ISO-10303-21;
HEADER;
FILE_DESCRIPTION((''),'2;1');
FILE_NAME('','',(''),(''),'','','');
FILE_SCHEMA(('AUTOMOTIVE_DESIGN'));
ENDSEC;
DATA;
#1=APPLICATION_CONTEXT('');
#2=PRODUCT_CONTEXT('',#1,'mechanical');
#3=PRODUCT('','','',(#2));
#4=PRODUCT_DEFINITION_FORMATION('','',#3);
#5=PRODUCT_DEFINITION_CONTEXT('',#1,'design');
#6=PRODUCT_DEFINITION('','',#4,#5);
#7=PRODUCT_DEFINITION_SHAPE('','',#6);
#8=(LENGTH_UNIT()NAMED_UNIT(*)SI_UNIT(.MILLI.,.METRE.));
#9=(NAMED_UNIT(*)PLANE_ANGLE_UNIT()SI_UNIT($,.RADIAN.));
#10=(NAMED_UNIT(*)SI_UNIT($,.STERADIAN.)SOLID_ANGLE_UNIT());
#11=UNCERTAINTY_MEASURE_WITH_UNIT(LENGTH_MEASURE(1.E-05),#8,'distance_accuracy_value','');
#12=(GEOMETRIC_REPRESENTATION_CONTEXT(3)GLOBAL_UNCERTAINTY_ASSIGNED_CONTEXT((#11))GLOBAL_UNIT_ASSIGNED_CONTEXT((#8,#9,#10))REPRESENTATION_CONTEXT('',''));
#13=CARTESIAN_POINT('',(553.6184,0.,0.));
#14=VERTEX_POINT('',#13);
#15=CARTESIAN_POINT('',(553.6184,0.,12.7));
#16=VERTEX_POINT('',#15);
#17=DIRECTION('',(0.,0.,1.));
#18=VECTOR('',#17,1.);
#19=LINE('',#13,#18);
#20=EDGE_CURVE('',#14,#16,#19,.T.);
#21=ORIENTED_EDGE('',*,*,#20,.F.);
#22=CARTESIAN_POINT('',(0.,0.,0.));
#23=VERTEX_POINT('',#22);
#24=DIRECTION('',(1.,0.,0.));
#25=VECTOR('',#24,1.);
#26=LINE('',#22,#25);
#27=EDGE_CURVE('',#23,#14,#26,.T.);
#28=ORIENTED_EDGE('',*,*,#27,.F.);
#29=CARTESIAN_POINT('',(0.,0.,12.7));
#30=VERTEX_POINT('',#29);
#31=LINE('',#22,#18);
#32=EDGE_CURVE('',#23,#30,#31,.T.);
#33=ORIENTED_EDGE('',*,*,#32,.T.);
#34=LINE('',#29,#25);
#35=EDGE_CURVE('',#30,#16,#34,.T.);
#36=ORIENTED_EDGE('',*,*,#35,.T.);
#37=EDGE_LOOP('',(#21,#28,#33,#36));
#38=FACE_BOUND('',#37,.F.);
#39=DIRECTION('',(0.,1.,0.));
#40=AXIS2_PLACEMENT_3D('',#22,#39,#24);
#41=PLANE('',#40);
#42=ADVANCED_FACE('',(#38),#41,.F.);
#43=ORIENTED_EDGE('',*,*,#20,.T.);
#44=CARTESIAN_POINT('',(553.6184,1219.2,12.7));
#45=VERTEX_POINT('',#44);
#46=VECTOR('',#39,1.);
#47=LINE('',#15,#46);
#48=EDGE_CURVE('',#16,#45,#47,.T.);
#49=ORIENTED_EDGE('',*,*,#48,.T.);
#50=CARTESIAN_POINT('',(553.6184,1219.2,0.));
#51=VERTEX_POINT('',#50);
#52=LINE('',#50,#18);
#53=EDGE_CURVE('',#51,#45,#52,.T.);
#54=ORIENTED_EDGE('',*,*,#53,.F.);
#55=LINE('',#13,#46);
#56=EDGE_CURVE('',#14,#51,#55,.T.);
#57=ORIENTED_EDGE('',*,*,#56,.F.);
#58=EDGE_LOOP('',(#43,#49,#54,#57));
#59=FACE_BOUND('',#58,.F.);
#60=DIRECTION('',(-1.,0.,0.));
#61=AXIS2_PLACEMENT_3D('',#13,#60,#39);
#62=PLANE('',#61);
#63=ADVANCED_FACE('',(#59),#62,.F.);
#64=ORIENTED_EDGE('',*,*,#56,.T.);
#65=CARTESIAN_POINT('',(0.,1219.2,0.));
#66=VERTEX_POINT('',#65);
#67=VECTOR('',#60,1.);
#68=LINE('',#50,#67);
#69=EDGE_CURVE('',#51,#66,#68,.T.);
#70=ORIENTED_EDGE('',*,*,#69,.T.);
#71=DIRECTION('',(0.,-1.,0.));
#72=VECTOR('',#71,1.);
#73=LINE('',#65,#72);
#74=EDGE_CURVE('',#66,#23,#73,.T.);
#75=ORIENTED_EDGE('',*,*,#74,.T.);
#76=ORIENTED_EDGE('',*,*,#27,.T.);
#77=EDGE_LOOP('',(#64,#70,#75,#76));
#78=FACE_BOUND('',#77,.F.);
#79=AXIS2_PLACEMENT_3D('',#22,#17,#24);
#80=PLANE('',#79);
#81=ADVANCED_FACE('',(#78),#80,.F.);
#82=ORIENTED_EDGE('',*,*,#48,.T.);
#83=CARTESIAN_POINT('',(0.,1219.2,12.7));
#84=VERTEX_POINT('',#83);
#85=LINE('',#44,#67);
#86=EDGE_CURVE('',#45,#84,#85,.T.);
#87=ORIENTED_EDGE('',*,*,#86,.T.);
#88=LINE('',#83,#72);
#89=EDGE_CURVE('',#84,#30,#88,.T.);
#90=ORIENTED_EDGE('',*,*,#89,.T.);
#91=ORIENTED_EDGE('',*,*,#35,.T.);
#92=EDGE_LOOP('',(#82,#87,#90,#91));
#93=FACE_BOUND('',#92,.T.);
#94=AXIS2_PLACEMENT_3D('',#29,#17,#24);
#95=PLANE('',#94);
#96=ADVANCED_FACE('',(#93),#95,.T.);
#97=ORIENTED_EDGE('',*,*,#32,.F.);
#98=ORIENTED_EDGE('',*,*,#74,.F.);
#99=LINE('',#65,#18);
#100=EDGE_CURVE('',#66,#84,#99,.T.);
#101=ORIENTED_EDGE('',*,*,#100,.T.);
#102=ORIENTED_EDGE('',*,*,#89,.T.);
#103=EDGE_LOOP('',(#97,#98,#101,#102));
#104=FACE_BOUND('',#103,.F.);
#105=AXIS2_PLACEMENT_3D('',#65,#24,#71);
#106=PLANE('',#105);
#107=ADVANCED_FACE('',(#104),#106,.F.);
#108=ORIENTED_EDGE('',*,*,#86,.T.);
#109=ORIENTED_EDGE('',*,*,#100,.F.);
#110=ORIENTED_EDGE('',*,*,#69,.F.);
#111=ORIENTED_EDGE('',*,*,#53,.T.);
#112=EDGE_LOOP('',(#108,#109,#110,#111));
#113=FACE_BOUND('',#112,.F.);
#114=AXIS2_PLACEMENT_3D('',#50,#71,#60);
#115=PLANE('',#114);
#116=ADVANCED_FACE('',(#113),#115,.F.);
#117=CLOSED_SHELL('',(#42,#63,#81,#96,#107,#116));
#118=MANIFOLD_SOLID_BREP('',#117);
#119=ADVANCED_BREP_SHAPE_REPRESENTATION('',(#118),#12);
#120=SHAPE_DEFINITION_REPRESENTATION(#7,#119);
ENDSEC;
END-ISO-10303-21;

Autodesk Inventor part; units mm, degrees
ref_plane "YZ Plane" through (0, 0, 0) normal (1, 0, 0) x (0, 1, 0)
ref_plane "XZ Plane" through (0, 0, 0) normal (0, 1, 0) x (-1, 0, 0)
ref_plane "XY Plane" through (0, 0, 0) normal (0, 0, 1) x (1, 0, 0)
sketch "Sketch1" plane through (0, 0, 0) normal (0, 0, 1) x (1, 0, 0)
  line L0 (0, 0) -> (553.6184, 0)
  line L1 (553.6184, 0) -> (553.6184, 1219.2)
  line L2 (553.6184, 1219.2) -> (0, 1219.2)
  line L3 (0, 1219.2) -> (0, 0)
  dimension "d2" = 1219.2
  dimension "d3" = 553.6184
extrude "Extrusion1" add sketch "Sketch1" along normal blind 12.7
properties part number "OSB_For_Walls_With_Dimensions_20.604_x_48_Inches" material "Wood (Birch)"
